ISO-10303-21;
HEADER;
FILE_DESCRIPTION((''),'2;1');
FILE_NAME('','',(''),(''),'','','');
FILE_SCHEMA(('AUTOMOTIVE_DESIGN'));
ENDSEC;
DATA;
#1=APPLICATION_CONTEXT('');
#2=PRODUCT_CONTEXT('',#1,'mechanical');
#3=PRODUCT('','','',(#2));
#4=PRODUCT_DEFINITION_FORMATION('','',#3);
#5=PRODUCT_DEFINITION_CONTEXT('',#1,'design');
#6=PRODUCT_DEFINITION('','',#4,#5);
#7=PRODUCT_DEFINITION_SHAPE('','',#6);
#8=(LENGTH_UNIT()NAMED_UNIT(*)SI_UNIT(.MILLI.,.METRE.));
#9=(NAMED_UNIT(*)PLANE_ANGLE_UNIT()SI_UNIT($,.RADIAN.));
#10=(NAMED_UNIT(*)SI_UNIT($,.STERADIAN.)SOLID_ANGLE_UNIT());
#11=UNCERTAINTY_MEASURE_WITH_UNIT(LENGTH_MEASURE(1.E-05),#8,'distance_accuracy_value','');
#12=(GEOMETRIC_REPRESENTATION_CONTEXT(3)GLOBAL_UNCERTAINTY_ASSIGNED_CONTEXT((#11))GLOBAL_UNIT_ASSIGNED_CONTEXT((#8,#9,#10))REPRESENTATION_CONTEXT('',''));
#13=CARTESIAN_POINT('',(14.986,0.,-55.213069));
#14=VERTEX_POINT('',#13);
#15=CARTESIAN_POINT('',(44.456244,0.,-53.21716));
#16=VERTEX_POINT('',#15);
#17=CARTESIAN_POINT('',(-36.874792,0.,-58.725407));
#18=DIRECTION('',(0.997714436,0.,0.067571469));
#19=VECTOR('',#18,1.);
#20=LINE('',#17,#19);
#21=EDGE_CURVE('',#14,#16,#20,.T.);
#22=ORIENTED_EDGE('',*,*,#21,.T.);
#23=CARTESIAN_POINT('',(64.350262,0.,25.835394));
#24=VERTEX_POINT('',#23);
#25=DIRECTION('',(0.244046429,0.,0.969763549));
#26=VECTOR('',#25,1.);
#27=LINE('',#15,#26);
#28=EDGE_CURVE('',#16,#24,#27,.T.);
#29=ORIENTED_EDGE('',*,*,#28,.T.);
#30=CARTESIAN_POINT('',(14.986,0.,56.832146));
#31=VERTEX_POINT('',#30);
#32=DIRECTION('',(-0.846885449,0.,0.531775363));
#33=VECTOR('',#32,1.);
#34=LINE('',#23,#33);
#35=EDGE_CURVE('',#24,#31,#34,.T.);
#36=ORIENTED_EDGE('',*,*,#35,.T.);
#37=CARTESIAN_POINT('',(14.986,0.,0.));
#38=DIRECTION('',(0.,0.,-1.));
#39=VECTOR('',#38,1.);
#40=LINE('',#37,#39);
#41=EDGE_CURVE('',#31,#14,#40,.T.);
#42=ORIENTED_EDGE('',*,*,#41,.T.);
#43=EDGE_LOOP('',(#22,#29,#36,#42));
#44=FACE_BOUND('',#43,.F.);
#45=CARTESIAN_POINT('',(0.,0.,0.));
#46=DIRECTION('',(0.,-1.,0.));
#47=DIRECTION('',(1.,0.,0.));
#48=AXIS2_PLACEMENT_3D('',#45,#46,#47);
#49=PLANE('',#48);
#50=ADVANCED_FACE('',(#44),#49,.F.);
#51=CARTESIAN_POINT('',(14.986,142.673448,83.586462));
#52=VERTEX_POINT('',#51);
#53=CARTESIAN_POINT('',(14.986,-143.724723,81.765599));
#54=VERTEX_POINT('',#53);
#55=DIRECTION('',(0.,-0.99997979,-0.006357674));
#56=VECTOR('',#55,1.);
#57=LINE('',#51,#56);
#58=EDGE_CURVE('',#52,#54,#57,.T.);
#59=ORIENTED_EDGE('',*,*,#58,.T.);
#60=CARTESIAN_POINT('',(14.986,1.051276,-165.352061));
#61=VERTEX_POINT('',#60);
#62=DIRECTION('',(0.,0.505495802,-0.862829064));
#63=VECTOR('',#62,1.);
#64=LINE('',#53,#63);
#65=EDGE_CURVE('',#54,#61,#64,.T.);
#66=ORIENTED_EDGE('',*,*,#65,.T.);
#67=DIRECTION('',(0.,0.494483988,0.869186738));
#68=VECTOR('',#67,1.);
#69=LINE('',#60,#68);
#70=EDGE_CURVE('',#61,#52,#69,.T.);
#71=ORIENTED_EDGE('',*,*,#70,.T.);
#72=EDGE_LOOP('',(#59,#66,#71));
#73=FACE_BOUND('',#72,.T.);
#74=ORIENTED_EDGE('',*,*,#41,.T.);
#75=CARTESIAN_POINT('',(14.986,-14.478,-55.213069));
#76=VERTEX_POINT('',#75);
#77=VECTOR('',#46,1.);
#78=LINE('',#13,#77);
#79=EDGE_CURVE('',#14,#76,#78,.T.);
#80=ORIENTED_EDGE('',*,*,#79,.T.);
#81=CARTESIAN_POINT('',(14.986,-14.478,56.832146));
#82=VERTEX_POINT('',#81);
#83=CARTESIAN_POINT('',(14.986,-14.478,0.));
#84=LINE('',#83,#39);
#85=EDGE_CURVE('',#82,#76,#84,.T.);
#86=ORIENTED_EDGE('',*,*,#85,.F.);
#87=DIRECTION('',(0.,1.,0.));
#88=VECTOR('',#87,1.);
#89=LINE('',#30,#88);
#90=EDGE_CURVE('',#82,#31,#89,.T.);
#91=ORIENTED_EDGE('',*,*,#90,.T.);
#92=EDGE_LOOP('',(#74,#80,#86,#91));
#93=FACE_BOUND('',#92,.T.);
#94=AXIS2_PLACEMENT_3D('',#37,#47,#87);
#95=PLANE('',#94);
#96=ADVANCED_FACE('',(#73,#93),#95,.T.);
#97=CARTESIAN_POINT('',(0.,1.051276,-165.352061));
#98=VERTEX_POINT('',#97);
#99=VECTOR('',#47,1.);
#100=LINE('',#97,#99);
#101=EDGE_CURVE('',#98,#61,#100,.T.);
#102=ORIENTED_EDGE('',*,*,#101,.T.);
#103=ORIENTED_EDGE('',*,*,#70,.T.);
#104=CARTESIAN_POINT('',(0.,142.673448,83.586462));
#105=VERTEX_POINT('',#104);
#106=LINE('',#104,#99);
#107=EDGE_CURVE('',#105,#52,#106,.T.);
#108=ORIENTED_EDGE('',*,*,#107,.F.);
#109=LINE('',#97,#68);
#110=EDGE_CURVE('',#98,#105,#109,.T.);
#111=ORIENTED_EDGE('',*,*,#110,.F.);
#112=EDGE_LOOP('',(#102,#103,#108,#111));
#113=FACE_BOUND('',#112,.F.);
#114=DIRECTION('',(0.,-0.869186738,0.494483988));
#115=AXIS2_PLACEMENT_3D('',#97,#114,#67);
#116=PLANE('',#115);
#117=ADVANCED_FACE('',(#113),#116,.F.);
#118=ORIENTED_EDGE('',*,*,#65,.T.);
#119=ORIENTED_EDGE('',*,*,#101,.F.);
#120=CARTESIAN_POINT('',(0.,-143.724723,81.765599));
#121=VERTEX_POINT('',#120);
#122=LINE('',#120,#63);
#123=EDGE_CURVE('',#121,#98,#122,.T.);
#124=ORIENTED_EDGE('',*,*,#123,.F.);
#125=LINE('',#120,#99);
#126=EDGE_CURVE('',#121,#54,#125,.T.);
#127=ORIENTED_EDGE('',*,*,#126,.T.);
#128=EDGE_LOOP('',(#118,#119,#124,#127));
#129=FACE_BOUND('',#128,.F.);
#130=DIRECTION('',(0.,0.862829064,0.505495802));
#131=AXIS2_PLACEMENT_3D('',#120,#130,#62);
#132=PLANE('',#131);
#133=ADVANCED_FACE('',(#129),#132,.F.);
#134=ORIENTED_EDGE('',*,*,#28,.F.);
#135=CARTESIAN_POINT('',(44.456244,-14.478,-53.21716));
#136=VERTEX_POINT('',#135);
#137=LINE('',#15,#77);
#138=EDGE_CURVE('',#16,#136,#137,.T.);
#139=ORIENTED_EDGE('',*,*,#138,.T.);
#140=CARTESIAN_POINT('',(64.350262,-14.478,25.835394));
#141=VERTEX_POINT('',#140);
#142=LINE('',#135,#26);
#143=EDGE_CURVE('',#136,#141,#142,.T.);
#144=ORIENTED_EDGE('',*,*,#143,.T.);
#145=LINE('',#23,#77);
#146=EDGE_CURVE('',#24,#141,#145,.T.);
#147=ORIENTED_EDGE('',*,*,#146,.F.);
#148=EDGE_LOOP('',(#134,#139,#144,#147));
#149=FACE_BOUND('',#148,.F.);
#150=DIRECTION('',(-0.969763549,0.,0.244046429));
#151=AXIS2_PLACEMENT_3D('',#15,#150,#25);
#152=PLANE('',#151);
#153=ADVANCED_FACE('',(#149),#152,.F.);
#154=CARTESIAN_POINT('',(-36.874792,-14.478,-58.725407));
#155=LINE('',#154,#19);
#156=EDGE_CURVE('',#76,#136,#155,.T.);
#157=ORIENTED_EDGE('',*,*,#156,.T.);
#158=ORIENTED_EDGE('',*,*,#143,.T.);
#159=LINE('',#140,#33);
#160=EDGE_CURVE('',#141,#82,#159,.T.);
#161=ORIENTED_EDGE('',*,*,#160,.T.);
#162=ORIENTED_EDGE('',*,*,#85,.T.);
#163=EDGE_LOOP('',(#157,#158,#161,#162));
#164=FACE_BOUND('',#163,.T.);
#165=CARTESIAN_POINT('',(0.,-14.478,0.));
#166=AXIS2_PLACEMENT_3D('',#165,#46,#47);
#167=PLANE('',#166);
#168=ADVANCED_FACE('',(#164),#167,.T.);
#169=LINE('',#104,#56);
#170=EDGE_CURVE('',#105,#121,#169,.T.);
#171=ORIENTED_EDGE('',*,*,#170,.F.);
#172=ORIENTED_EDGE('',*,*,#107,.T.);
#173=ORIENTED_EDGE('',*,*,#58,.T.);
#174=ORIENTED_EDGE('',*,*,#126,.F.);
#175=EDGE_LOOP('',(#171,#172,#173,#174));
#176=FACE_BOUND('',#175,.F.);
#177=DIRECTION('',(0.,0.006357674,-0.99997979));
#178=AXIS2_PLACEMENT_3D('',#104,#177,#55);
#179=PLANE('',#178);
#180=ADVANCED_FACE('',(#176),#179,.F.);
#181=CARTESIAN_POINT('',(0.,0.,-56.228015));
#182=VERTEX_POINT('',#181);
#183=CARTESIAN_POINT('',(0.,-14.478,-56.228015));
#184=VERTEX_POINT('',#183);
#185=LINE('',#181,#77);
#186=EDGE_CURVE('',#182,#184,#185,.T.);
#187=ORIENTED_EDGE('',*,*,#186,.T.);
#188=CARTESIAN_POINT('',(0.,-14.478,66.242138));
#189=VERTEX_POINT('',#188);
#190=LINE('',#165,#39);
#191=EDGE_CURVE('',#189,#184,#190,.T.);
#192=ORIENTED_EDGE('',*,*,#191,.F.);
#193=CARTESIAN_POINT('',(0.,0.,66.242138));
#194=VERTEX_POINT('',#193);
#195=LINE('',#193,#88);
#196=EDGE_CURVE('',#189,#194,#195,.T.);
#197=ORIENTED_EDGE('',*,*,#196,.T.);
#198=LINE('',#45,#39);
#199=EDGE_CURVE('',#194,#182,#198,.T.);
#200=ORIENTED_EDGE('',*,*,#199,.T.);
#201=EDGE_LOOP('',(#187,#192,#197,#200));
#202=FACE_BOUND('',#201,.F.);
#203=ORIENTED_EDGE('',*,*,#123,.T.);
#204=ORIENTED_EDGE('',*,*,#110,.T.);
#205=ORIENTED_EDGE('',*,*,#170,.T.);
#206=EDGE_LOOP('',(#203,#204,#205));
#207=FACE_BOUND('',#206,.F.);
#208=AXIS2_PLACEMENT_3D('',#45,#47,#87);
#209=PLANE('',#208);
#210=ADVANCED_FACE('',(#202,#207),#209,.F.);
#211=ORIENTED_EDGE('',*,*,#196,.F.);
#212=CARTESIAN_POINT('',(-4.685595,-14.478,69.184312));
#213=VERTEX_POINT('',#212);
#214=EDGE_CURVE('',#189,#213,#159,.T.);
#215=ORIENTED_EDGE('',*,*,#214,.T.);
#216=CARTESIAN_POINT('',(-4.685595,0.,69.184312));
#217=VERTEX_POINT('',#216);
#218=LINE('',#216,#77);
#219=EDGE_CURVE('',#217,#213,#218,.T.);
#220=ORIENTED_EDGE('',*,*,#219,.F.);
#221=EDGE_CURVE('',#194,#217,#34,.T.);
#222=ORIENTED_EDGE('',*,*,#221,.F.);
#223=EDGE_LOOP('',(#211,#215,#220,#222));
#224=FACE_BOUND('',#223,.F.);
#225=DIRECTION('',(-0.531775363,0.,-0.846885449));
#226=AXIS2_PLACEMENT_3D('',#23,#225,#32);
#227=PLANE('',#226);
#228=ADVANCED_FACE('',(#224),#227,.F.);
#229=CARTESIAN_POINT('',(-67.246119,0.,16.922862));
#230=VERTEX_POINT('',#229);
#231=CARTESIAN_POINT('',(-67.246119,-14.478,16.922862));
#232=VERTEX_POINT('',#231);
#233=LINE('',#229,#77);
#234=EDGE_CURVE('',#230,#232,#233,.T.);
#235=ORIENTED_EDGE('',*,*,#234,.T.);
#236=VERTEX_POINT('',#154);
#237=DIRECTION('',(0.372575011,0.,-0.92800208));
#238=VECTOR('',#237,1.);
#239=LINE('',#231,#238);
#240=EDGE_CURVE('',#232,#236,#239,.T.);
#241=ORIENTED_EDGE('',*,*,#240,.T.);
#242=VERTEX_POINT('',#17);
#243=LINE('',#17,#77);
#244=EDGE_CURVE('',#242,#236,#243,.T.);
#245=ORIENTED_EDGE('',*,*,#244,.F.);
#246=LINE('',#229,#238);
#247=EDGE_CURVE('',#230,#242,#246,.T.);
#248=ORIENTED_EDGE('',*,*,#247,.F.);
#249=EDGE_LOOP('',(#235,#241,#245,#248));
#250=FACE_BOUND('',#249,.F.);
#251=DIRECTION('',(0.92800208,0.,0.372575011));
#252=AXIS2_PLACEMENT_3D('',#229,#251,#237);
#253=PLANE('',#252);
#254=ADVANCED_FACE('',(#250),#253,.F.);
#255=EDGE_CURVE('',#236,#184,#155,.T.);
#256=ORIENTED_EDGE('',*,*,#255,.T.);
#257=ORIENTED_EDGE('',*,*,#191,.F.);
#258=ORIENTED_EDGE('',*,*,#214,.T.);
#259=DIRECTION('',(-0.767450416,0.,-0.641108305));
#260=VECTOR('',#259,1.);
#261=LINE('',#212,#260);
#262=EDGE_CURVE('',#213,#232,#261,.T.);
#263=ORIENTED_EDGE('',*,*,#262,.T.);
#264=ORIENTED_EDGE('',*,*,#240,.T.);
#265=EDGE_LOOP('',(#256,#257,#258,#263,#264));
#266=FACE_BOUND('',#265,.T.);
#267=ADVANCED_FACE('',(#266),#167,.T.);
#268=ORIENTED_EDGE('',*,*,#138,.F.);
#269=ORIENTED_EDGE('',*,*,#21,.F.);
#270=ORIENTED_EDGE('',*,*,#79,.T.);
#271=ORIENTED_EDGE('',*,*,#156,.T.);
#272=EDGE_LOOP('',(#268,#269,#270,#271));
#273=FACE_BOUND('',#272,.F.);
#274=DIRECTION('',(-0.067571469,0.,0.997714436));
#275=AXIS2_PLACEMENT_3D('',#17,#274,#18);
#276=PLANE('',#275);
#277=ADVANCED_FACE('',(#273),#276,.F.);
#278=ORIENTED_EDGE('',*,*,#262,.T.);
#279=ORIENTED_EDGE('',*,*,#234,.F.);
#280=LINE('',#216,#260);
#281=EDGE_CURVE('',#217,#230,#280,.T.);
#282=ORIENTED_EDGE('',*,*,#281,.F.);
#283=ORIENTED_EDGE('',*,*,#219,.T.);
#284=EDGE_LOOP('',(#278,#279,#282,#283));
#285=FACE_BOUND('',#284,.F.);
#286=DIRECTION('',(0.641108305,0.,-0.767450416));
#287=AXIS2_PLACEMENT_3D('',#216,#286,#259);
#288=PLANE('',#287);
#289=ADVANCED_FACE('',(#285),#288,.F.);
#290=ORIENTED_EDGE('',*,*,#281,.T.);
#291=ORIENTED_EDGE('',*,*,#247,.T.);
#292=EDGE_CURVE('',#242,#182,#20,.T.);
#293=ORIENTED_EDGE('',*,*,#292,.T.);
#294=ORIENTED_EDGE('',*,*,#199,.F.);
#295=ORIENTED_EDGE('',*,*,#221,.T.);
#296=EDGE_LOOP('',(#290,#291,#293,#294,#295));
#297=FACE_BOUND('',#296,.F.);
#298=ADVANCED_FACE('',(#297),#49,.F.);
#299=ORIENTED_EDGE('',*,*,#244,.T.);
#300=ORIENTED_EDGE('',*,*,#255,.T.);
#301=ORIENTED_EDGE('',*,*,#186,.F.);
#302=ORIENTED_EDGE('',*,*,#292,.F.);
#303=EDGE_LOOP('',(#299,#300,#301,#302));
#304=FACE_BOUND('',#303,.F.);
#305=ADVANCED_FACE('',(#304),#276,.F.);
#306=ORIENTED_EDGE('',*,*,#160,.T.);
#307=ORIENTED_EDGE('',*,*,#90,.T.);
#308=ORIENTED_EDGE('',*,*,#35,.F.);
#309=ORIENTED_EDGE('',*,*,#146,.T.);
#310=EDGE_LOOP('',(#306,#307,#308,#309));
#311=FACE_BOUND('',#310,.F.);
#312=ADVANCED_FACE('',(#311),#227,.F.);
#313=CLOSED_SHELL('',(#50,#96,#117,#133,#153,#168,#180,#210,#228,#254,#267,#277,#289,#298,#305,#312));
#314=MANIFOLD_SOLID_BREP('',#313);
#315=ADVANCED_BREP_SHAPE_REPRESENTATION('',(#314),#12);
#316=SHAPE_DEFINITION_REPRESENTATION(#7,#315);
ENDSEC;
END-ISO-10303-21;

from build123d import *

# Parameters (mm, degrees)
F2_DEPTH = 14.986
F3_DEPTH = 14.478


with BuildPart() as f2:
    # F1 (on Right) → F2 (new body)
    with BuildSketch(Plane.YZ):
        Polygon((-143.724723, 81.765599), (1.051276, -165.352061), (142.673448, 83.586462), align=None)
    extrude(amount=F2_DEPTH)

    # F0 (on Front) → F3 (join)
    with BuildSketch(Plane.XZ):
        Polygon((44.456244, -53.21716), (64.350262, 25.835394), (-4.685595, 69.184312), (-67.246119, 16.922862), (-36.874792, -58.725407), align=None)
    extrude(amount=F3_DEPTH)


solid = f2.part
